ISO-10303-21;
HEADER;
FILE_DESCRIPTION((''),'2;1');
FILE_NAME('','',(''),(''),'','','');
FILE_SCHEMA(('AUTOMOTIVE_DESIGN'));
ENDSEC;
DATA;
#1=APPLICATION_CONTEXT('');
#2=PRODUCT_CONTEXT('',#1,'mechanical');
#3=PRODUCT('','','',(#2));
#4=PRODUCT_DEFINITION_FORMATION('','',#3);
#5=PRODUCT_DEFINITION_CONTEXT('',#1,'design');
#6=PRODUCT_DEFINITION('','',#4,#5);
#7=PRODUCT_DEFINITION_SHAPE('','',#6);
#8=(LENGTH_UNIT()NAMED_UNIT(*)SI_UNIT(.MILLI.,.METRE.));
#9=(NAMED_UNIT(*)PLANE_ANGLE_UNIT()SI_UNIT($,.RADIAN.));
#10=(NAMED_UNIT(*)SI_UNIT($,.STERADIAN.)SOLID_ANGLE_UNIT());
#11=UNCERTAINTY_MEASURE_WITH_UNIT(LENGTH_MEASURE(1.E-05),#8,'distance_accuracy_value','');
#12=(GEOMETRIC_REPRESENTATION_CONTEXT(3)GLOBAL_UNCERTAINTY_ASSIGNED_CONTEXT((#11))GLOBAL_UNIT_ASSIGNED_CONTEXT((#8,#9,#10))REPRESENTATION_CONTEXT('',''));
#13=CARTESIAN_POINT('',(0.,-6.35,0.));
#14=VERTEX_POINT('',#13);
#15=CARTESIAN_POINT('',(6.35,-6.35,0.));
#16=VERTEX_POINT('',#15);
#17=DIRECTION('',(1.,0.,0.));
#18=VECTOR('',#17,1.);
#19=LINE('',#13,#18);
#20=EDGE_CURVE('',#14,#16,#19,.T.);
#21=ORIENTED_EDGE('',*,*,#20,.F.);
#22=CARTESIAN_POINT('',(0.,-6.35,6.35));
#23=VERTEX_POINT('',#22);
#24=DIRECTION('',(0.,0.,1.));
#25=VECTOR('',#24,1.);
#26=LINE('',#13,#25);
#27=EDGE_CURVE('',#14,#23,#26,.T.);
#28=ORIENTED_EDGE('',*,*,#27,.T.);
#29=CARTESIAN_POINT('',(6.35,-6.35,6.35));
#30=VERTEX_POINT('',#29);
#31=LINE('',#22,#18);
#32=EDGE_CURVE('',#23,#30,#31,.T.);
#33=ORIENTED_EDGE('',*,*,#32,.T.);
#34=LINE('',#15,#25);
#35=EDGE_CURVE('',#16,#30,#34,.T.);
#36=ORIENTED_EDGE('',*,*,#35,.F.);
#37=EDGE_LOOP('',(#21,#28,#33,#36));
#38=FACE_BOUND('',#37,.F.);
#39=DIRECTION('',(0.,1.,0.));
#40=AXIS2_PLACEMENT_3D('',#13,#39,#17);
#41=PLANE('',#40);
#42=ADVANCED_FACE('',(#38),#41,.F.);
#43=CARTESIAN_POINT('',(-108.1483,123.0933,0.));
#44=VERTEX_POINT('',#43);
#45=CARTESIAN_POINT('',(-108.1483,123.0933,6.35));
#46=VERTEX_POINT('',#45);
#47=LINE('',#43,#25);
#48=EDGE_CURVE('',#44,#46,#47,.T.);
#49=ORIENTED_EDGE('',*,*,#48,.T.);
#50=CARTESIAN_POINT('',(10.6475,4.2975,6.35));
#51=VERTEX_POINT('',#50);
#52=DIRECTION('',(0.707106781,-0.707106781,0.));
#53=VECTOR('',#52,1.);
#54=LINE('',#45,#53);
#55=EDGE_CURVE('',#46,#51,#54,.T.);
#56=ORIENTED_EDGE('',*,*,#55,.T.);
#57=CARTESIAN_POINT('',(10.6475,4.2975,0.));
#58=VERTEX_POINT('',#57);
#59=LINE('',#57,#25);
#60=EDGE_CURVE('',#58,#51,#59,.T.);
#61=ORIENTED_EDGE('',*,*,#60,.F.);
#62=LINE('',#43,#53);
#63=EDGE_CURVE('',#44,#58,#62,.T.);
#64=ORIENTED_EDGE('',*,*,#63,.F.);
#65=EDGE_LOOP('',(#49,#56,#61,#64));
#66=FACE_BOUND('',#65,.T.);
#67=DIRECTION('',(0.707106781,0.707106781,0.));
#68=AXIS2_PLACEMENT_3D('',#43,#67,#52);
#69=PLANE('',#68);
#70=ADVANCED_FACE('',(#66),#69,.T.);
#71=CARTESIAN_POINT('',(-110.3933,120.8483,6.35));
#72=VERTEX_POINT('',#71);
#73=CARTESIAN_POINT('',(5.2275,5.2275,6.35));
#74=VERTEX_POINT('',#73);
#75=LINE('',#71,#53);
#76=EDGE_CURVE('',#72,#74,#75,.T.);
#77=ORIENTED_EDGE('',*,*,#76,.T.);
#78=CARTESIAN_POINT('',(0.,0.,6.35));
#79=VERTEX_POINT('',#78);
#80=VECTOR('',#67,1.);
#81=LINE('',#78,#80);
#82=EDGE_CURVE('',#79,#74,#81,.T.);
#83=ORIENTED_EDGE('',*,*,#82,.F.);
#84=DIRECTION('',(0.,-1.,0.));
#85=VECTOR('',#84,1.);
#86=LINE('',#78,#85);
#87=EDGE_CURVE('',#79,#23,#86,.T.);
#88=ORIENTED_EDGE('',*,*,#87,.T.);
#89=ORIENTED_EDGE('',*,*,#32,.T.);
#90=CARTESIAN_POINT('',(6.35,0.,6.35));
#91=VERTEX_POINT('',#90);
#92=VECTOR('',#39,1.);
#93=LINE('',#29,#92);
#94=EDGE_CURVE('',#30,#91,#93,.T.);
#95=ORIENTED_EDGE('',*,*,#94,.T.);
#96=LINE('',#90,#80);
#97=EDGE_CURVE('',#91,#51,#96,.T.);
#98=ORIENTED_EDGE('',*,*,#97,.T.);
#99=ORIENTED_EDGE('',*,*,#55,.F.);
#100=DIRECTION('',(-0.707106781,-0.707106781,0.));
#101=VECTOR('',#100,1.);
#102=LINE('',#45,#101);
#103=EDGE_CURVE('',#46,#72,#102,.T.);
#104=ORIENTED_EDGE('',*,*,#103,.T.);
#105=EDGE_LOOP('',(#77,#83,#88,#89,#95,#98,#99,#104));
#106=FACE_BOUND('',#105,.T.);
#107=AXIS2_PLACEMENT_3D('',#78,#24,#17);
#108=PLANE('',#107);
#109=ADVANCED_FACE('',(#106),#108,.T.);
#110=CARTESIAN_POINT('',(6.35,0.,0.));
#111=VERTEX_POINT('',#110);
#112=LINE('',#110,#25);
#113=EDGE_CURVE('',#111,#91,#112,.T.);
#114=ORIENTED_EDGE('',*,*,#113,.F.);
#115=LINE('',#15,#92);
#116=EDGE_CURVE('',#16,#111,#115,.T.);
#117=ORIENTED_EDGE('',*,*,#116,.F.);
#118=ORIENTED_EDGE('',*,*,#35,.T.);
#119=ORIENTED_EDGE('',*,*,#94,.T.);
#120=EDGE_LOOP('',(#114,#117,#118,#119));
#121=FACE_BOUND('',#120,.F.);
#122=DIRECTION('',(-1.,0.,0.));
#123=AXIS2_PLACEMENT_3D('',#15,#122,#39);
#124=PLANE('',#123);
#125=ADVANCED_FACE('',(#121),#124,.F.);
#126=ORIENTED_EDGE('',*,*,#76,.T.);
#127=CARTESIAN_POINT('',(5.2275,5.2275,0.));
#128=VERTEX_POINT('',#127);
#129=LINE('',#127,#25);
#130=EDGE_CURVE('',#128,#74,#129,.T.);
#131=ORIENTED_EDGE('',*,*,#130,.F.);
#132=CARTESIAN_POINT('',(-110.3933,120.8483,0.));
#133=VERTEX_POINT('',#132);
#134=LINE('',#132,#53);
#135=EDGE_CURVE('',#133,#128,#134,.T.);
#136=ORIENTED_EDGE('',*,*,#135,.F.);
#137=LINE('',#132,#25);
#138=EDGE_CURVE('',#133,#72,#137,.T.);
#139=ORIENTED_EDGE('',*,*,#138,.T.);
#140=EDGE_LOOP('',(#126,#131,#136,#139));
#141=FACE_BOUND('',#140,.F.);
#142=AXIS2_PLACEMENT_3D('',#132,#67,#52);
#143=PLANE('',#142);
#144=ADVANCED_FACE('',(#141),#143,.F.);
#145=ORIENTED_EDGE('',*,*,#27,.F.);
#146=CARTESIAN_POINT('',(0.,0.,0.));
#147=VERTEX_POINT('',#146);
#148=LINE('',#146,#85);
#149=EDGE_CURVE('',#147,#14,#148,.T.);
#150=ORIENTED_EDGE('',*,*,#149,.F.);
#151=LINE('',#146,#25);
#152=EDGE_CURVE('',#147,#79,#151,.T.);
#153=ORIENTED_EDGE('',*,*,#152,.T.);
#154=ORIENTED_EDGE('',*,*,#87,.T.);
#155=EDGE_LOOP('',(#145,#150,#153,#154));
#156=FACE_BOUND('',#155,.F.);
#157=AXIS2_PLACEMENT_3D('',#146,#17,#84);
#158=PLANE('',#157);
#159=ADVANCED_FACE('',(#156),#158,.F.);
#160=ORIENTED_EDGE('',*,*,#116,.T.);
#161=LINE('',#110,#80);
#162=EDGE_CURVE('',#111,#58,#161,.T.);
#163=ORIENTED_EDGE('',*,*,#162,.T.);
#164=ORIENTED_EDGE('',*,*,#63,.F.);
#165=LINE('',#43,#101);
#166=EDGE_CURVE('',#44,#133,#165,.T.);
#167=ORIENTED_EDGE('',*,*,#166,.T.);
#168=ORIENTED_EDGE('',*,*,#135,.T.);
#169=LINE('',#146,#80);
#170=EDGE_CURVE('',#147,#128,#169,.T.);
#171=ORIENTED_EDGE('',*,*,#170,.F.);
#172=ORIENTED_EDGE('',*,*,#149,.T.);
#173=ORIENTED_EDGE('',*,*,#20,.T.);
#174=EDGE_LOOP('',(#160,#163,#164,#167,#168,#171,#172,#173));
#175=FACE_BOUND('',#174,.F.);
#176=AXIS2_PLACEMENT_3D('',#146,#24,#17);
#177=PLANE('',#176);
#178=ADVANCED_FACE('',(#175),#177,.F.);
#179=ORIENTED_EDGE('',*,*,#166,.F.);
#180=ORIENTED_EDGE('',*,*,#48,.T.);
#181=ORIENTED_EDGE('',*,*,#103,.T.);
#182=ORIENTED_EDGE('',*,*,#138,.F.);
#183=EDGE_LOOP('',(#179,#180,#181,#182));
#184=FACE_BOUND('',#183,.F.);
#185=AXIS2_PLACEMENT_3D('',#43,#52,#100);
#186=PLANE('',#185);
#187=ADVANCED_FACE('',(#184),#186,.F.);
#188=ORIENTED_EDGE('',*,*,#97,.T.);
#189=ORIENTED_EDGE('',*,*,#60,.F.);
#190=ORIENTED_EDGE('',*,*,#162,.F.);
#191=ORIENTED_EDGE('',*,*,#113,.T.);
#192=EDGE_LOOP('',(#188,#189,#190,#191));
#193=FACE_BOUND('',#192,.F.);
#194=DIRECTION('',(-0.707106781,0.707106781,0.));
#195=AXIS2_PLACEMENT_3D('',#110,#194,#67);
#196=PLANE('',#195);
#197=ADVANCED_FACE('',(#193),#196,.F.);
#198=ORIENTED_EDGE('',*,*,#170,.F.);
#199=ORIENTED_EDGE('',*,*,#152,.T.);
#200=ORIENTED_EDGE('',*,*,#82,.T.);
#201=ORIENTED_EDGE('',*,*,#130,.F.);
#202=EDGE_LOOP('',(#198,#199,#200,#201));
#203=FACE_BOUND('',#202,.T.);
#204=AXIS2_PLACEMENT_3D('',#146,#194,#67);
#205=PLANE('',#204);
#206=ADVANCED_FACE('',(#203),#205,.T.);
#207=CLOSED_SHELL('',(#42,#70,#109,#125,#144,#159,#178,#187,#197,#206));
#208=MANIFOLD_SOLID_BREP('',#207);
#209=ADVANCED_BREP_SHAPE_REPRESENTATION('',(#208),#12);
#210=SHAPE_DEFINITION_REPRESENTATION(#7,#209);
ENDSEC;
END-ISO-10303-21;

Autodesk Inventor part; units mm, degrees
ref_plane "YZ Plane" through (0, 0, 0) normal (1, 0, 0) x (0, 1, 0)
ref_plane "XZ Plane" through (0, 0, 0) normal (0, 1, 0) x (-1, 0, 0)
ref_plane "XY Plane" through (0, 0, 0) normal (0, 0, 1) x (1, 0, 0)
sketch "Sketch1" plane through (0, 0, 0) normal (0, 0, 1) x (1, 0, 0)
  line L0 (-136.6846, 154.6451) -> (-138.9296, 152.4)
  line L1 (0, 0) -> (0, -6.35)
  line L2 (0, -6.35) -> (6.35, -6.35)
  line L3 (6.35, -6.35) -> (6.35, 0)
  line L4 (6.35, 0) -> (10.6475, 4.2975)
  line L5 (-108.1483, 123.0933) -> (14.8812, 0.0638) projected
  line L6 (10.6475, 4.2975) -> (-108.1483, 123.0933)
  line L7 (-108.1483, 123.0933) -> (-110.3933, 120.8483)
  line L8 (-110.3933, 120.8483) -> (5.2275, 5.2275)
  line L9 (0, 0) -> (5.2275, 5.2275)
  dimension "d2" = 3.175
extrude "Extrusion1" add sketch "Sketch1" along normal blind 6.35
properties part number "Mount" material "Polycarbonate, Clear"
